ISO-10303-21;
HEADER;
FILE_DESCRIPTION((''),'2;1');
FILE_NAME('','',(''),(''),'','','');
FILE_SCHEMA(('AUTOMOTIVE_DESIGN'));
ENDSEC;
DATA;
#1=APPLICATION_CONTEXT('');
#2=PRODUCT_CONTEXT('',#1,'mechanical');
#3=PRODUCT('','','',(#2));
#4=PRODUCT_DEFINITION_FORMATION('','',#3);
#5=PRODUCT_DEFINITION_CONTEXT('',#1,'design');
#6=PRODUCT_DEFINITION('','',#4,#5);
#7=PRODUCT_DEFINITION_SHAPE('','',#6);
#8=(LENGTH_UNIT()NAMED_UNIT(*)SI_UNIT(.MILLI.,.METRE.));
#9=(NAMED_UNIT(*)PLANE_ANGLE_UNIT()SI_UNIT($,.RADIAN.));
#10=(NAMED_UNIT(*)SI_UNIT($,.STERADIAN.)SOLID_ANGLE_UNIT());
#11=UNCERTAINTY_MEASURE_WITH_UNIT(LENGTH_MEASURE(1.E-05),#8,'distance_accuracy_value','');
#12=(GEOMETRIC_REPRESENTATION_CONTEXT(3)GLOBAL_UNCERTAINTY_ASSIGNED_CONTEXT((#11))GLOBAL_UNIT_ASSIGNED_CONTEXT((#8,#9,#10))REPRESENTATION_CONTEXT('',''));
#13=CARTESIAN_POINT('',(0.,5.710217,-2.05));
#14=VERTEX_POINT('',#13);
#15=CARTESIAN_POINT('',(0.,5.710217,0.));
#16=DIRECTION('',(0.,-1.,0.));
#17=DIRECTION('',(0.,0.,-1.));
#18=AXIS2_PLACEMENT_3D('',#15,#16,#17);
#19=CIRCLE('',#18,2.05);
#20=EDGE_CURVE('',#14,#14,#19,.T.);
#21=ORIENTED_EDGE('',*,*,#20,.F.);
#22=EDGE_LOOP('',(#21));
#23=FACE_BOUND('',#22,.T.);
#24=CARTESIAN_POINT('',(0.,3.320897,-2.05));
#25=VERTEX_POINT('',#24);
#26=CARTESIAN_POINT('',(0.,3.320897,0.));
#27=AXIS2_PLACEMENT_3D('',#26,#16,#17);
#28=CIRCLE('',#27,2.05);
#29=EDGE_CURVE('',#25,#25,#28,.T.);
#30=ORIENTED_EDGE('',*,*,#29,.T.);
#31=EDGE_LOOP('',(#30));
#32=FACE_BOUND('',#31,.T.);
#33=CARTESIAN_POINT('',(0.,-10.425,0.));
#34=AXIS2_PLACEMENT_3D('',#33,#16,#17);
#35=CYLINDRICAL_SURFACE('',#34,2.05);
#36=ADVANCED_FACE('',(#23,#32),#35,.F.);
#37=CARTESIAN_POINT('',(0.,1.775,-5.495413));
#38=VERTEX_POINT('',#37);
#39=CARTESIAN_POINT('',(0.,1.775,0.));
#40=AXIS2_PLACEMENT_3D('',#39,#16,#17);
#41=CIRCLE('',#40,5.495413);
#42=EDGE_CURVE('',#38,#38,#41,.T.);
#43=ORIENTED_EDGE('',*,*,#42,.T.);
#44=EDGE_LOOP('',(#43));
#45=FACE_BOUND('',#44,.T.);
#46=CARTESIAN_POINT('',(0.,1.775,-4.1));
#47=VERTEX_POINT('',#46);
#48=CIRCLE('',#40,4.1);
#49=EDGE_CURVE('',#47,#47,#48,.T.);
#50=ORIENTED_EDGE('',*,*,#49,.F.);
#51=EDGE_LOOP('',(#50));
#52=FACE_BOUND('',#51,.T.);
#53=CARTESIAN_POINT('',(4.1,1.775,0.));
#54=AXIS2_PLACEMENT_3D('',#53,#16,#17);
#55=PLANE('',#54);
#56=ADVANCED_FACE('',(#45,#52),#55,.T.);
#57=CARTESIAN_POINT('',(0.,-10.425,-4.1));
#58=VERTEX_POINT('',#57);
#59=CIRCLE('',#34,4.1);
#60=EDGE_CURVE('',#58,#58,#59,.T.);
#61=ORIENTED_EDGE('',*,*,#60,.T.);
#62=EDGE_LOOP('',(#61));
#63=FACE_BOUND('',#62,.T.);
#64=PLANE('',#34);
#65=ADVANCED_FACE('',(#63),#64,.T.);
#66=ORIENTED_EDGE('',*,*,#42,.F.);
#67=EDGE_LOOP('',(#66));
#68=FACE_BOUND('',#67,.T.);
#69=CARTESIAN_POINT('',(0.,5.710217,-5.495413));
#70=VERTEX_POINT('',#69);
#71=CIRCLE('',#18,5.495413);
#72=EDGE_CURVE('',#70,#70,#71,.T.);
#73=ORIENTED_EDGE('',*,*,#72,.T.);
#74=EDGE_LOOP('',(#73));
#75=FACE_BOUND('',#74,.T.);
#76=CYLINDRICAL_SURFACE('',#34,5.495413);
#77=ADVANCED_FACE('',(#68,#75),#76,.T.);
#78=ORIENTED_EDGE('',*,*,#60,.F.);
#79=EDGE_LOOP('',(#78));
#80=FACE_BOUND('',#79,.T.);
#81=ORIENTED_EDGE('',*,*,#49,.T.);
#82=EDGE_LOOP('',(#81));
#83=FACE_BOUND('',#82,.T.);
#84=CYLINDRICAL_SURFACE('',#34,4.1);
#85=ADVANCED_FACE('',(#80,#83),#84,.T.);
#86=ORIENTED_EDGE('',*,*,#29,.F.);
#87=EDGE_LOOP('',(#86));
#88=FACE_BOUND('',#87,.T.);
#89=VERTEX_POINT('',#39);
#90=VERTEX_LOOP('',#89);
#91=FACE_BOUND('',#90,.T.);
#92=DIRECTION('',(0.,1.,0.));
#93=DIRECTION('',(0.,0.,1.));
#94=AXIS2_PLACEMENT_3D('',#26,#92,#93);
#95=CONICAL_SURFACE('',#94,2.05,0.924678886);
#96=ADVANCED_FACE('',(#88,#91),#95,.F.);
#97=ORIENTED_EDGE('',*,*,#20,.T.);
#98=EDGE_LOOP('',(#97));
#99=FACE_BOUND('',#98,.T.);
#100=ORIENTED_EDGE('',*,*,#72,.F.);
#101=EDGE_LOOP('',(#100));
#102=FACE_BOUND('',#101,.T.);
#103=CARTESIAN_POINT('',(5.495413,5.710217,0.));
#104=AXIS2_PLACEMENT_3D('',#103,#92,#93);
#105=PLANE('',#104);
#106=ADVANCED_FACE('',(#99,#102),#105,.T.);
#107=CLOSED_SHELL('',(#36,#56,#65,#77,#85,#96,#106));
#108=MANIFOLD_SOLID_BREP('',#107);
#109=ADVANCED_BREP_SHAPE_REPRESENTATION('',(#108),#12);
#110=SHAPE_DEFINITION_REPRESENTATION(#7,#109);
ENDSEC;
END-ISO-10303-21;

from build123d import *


with BuildPart() as part:
    # Sketch1 → Revolve1 (revolve)
    with BuildSketch(Plane.XY):
        Polygon((0, -10.425), (4.1, -10.425), (4.1, 1.775), (5.495413457, 1.775), (5.495413457, 5.710216911), (2.05, 5.710216911), (2.05, 3.320896934), (0, 1.775), align=None)
    revolve(axis=Axis((0, -10.425, 0), (0, 1, 0)))


solid = part.part
